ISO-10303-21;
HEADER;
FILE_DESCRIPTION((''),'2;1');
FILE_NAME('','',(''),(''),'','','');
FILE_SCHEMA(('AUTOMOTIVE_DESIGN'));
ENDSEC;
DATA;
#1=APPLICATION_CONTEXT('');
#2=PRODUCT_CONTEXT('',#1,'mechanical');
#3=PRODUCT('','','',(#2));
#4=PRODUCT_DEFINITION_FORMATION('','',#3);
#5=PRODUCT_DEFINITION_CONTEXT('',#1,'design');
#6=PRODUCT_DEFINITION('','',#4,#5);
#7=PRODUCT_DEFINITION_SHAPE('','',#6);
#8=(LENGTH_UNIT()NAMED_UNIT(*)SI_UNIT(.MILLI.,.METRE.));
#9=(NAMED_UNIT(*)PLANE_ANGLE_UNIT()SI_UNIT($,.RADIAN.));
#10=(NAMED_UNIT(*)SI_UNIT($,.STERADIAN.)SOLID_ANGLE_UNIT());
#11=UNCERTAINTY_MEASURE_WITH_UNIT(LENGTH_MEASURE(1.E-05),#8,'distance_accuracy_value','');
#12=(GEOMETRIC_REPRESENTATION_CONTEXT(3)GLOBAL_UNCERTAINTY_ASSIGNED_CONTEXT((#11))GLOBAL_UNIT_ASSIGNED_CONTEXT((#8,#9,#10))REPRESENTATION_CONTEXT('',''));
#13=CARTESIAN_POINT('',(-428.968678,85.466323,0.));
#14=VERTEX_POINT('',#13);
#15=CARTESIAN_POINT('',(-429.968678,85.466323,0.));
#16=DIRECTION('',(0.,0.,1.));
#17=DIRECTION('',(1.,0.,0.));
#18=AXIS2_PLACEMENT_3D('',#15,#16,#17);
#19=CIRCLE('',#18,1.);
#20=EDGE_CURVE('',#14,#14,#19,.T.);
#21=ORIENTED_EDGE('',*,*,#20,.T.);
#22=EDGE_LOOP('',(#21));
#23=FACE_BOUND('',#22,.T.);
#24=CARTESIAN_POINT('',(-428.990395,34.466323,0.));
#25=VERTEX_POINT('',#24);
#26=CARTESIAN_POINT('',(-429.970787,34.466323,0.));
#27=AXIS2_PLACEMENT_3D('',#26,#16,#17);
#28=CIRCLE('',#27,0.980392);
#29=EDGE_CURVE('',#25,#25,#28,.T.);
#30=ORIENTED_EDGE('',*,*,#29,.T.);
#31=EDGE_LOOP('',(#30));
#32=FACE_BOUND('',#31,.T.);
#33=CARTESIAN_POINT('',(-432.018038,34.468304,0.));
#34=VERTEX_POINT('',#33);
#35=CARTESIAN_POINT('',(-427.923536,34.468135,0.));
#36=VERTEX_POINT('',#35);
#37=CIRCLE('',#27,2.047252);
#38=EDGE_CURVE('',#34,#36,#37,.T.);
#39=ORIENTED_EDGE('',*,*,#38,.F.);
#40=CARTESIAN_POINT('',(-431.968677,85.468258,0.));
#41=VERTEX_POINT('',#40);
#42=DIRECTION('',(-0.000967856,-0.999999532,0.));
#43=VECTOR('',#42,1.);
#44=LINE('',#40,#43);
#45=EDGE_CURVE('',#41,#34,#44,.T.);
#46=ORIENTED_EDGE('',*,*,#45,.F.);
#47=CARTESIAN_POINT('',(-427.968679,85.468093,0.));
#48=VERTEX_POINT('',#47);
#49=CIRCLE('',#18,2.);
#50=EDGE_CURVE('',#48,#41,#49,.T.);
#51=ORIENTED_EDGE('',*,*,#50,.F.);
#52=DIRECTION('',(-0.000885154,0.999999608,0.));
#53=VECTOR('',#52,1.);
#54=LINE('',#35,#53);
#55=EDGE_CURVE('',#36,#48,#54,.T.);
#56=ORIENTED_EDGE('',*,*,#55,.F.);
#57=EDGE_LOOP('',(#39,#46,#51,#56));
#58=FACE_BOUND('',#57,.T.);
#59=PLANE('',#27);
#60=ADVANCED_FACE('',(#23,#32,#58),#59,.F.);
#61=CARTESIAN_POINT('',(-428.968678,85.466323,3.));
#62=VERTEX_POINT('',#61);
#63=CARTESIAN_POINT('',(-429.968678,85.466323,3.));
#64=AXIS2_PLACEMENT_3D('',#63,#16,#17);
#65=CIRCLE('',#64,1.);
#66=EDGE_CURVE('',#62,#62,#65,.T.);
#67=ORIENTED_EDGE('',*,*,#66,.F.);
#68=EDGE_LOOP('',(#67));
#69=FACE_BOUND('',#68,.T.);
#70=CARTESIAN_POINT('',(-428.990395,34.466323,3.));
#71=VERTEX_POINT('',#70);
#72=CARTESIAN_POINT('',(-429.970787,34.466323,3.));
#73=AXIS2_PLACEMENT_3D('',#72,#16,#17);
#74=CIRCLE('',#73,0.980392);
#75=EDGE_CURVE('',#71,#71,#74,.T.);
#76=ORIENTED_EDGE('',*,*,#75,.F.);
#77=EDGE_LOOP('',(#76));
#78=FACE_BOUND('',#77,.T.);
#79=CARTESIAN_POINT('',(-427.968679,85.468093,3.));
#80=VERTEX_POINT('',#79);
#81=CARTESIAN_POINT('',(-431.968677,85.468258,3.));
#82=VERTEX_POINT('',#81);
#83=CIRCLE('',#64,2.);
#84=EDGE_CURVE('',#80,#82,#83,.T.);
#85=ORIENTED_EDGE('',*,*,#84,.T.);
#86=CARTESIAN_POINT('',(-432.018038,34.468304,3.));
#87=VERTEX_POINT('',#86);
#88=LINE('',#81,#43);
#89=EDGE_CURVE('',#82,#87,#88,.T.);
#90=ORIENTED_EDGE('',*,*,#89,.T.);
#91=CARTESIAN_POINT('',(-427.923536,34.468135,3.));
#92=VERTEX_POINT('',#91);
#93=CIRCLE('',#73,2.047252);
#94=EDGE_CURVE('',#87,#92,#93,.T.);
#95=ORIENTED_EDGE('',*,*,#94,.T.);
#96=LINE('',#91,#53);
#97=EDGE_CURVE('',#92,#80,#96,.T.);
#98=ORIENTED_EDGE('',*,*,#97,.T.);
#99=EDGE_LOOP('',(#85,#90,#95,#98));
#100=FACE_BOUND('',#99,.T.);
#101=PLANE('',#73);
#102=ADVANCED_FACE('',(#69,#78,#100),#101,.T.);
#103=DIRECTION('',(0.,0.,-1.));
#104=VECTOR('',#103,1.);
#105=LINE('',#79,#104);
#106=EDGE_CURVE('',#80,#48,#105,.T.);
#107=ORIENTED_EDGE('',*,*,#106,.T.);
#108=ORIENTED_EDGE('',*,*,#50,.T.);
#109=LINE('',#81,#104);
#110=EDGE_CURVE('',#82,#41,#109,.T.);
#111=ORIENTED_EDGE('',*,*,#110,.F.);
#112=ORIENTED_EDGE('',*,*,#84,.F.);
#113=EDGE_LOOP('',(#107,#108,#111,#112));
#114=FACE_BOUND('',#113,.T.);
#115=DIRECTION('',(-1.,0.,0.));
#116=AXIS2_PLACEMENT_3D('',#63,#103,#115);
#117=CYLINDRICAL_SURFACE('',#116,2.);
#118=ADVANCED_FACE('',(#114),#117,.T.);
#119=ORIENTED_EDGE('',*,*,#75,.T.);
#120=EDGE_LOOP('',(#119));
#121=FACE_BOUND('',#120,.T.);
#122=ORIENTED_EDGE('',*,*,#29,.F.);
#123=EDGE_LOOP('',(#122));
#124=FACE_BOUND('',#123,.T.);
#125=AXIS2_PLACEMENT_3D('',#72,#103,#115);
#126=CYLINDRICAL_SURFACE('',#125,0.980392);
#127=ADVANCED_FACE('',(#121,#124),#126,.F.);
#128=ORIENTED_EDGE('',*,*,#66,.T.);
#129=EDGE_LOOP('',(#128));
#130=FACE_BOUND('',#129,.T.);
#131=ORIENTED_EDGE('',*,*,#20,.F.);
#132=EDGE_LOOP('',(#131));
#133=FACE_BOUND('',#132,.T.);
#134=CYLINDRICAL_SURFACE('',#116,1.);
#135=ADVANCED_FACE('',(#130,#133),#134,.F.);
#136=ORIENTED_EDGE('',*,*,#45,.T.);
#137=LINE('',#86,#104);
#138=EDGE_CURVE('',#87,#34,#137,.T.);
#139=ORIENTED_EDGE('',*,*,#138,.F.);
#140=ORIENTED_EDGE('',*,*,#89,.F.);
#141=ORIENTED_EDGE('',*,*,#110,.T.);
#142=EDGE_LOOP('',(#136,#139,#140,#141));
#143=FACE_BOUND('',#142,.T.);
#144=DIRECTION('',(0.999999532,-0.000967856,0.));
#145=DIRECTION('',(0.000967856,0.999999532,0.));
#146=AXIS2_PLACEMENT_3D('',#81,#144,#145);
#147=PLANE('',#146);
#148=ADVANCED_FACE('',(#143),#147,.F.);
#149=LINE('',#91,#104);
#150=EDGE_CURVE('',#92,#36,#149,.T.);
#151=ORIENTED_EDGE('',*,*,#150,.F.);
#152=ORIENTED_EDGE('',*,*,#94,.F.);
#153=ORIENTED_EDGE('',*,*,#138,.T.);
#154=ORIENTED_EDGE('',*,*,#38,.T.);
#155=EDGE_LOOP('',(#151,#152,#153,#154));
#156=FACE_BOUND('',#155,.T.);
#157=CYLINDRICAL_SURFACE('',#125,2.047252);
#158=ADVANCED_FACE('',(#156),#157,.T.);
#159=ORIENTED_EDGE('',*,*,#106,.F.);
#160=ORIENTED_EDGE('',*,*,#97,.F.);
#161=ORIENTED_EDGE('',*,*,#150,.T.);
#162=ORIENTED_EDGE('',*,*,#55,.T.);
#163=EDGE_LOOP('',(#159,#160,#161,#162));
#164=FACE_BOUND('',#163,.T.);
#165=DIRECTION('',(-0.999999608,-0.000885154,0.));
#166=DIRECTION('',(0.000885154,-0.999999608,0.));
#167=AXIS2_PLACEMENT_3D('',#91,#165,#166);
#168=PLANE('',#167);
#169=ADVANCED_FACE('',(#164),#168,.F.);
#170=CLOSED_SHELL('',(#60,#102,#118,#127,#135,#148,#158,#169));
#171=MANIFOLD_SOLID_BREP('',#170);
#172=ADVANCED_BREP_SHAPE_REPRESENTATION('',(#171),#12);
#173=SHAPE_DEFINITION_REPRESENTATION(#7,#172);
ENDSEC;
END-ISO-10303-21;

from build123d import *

# Parameters (mm, degrees)
SKETCH_1_R      = 1
SKETCH_1_R_2    = 0.980392254
EXTRUDE_1_DEPTH = 3


with BuildPart() as part:
    # 草图1 → 凸台-拉伸1 (new body)
    with BuildSketch(Plane.XY):
        with BuildLine():
            Line((-427.923536292, 34.46813475), (-427.968679133, 85.468092925))
            ThreePointArc((-427.968679133, 85.468092925), (-429.968595648, 87.466322615), (-431.968677413, 85.468258328))
            Line((-431.968677413, 85.468258328), (-432.018038024, 34.468304061))
            ThreePointArc((-432.018038024, 34.468304061), (-429.970871892, 32.419070873), (-427.923536292, 34.46813475))
        make_face()
        with Locations((-429.96867835, 85.466322617)):
            Circle(SKETCH_1_R, mode=Mode.SUBTRACT)
        with Locations((-429.970787236, 34.466322617)):
            Circle(SKETCH_1_R_2, mode=Mode.SUBTRACT)
    extrude(amount=EXTRUDE_1_DEPTH)


solid = part.part
